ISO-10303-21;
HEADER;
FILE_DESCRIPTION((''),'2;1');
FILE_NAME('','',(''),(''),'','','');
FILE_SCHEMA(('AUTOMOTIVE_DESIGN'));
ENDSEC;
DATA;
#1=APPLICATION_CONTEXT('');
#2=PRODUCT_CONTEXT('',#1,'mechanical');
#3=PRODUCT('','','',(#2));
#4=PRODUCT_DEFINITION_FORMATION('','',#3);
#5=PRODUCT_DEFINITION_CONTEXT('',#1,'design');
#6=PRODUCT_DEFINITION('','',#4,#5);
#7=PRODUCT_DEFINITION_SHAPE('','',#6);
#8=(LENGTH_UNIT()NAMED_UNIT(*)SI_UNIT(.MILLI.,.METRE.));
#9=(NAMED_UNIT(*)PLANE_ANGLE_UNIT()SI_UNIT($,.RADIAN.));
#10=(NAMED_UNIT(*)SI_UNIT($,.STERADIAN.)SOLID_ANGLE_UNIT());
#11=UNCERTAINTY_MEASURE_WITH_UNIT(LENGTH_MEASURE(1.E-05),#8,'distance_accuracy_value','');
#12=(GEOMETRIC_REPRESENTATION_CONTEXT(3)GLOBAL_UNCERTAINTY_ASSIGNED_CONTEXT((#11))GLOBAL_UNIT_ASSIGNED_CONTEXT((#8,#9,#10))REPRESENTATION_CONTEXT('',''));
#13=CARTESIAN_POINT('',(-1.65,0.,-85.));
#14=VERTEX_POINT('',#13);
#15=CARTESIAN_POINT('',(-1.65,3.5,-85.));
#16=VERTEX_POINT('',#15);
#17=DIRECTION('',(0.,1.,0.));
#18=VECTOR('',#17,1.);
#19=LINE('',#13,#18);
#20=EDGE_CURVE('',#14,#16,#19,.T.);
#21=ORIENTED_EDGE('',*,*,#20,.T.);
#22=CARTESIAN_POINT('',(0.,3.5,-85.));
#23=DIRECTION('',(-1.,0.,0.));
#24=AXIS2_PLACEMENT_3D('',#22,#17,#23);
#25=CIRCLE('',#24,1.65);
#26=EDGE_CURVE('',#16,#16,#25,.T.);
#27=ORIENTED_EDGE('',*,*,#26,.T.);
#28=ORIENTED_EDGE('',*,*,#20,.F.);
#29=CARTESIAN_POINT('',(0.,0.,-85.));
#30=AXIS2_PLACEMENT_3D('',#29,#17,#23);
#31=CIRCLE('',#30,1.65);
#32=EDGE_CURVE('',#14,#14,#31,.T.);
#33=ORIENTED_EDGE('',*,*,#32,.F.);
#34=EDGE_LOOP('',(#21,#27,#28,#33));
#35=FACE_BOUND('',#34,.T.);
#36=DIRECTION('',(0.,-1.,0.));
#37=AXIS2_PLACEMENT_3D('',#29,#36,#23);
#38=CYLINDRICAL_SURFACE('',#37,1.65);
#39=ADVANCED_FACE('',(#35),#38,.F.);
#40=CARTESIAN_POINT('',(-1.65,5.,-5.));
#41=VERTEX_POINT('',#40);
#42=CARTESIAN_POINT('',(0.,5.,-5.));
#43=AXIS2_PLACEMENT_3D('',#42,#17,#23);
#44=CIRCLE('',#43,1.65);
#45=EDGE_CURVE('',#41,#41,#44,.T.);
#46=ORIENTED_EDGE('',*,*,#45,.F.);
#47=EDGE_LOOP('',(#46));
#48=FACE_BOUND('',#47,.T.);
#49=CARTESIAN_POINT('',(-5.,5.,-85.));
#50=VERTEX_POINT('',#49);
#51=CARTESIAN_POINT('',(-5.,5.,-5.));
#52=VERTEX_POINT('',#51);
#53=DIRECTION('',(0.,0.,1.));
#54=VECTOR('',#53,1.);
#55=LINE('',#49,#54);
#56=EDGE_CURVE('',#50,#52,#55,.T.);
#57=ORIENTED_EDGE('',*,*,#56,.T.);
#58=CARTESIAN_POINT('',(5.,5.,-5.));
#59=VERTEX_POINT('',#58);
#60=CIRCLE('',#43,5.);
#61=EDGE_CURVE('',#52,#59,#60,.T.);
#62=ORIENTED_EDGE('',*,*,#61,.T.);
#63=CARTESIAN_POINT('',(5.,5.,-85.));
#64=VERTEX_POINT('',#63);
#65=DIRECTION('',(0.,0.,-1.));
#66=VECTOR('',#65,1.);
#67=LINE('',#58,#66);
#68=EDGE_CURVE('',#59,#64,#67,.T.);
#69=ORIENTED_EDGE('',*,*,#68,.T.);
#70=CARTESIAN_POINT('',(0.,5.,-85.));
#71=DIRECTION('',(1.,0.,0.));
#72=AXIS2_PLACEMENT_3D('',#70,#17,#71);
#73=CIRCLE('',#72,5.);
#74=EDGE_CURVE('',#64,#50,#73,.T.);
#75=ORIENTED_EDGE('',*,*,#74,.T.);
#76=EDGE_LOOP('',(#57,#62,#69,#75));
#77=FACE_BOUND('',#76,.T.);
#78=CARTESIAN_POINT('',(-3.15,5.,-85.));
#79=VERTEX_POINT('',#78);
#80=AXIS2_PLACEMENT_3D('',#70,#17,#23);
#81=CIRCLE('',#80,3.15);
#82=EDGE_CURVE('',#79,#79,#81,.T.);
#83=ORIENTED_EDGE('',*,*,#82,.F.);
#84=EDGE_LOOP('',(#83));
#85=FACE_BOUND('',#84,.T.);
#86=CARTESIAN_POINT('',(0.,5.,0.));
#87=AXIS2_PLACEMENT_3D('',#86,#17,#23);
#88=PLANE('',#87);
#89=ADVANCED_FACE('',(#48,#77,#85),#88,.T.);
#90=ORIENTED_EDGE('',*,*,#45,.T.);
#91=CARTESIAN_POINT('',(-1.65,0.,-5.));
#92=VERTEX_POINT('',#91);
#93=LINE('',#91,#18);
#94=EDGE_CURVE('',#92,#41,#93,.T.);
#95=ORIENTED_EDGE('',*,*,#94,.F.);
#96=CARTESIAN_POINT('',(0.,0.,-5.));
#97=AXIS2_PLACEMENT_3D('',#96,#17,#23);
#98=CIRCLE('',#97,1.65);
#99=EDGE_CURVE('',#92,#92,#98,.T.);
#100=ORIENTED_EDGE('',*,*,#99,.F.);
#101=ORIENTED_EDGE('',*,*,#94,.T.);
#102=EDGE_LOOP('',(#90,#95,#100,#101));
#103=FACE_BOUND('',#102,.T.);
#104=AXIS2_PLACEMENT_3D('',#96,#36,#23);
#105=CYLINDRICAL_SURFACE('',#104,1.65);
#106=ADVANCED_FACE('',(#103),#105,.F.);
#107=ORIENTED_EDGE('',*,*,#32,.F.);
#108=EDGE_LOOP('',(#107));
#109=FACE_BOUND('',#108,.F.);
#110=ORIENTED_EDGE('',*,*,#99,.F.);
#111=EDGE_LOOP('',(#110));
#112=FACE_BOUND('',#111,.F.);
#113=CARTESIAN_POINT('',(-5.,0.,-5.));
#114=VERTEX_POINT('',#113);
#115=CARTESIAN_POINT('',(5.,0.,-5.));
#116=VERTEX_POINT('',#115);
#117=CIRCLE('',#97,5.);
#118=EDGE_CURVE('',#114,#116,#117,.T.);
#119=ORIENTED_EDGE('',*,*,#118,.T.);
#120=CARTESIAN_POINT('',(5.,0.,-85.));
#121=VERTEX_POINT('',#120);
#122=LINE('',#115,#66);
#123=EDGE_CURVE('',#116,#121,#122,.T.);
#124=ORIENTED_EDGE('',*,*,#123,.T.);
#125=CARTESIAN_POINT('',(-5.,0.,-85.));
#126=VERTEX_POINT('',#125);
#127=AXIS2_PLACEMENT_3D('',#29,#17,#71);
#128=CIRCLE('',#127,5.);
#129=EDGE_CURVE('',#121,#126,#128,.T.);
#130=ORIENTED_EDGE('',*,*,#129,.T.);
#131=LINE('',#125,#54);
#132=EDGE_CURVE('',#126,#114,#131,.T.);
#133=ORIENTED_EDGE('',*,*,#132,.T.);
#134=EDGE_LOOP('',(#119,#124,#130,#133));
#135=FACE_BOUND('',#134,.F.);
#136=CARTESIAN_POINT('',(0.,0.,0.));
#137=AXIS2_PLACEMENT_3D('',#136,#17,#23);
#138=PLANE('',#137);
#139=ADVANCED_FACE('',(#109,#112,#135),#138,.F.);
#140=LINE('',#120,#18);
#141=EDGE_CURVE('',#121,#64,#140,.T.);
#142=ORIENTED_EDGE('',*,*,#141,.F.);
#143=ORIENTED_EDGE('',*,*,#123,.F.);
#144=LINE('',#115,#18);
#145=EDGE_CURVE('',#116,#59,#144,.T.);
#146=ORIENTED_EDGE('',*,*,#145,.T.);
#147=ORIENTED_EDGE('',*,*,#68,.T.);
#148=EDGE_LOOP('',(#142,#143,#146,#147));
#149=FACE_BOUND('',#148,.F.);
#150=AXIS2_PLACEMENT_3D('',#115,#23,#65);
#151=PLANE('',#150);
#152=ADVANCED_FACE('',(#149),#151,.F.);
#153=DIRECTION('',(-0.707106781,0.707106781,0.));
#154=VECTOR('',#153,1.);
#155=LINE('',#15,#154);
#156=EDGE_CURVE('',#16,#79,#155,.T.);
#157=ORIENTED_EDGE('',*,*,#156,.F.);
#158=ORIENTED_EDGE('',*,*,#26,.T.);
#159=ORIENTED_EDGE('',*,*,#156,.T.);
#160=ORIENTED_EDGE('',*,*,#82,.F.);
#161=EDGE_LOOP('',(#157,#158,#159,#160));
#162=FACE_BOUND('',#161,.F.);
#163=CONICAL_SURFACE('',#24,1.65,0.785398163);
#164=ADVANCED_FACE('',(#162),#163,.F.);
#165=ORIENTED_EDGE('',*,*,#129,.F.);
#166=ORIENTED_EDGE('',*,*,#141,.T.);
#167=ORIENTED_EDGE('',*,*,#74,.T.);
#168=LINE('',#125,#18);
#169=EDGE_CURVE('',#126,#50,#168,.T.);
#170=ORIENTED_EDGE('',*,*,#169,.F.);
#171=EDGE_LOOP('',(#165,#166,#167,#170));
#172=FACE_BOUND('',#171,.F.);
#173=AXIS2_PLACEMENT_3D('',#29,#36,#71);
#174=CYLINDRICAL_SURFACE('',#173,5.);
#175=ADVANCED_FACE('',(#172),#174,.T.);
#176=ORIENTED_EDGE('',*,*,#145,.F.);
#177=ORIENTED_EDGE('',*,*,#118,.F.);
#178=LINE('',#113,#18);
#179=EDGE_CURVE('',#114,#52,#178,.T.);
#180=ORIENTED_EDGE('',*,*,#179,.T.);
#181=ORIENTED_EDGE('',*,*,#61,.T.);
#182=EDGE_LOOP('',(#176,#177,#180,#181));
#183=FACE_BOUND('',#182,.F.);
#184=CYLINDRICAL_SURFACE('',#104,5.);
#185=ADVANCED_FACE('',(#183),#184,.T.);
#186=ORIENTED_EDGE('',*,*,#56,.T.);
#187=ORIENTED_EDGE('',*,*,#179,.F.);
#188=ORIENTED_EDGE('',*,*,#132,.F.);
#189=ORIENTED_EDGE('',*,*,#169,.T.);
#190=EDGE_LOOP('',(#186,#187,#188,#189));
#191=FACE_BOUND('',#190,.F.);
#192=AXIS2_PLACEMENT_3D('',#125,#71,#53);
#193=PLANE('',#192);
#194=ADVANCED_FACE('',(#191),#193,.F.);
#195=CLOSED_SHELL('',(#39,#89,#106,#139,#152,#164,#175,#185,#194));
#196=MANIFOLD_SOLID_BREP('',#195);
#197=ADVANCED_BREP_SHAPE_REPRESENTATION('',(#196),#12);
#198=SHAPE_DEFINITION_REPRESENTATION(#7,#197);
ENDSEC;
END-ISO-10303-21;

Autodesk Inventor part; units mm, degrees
ref_plane "YZ Plane" through (0, 0, 0) normal (1, 0, 0) x (0, 1, 0)
ref_plane "XZ Plane" through (0, 0, 0) normal (0, 1, 0) x (-1, 0, 0)
ref_plane "XY Plane" through (0, 0, 0) normal (0, 0, 1) x (1, 0, 0)
sketch "Sketch1" plane through (0, 0, 0) normal (0, 1, 0) x (-1, 0, 0)
  line L0 (0, 0) -> (0, -90) construction
  line L1 (-5, -5) -> (-5, -85)
  line L2 (5, -85) -> (5, -5)
  arc A0 (5, -5) -> (-5, -5) centre (0, -5) ccw
  arc A1 (-5, -85) -> (5, -85) centre (0, -85) ccw
  circle A2 centre (0, -85) radius 1.65
  circle A3 centre (0, -5) radius 1.65
  point P0 (0, -45)
  dimension "d0" = 90
  dimension "d1" = 10
  dimension "d2" = 3.3
extrude "Extrusion1" add sketch "Sketch1" along normal blind 5
chamfer "Chamfer1" distance 1.5 angle 45 1 edges at (1.65, 5, -85)
properties part number "wiper_linkage_middle_arm" material "ABS Plastic"
